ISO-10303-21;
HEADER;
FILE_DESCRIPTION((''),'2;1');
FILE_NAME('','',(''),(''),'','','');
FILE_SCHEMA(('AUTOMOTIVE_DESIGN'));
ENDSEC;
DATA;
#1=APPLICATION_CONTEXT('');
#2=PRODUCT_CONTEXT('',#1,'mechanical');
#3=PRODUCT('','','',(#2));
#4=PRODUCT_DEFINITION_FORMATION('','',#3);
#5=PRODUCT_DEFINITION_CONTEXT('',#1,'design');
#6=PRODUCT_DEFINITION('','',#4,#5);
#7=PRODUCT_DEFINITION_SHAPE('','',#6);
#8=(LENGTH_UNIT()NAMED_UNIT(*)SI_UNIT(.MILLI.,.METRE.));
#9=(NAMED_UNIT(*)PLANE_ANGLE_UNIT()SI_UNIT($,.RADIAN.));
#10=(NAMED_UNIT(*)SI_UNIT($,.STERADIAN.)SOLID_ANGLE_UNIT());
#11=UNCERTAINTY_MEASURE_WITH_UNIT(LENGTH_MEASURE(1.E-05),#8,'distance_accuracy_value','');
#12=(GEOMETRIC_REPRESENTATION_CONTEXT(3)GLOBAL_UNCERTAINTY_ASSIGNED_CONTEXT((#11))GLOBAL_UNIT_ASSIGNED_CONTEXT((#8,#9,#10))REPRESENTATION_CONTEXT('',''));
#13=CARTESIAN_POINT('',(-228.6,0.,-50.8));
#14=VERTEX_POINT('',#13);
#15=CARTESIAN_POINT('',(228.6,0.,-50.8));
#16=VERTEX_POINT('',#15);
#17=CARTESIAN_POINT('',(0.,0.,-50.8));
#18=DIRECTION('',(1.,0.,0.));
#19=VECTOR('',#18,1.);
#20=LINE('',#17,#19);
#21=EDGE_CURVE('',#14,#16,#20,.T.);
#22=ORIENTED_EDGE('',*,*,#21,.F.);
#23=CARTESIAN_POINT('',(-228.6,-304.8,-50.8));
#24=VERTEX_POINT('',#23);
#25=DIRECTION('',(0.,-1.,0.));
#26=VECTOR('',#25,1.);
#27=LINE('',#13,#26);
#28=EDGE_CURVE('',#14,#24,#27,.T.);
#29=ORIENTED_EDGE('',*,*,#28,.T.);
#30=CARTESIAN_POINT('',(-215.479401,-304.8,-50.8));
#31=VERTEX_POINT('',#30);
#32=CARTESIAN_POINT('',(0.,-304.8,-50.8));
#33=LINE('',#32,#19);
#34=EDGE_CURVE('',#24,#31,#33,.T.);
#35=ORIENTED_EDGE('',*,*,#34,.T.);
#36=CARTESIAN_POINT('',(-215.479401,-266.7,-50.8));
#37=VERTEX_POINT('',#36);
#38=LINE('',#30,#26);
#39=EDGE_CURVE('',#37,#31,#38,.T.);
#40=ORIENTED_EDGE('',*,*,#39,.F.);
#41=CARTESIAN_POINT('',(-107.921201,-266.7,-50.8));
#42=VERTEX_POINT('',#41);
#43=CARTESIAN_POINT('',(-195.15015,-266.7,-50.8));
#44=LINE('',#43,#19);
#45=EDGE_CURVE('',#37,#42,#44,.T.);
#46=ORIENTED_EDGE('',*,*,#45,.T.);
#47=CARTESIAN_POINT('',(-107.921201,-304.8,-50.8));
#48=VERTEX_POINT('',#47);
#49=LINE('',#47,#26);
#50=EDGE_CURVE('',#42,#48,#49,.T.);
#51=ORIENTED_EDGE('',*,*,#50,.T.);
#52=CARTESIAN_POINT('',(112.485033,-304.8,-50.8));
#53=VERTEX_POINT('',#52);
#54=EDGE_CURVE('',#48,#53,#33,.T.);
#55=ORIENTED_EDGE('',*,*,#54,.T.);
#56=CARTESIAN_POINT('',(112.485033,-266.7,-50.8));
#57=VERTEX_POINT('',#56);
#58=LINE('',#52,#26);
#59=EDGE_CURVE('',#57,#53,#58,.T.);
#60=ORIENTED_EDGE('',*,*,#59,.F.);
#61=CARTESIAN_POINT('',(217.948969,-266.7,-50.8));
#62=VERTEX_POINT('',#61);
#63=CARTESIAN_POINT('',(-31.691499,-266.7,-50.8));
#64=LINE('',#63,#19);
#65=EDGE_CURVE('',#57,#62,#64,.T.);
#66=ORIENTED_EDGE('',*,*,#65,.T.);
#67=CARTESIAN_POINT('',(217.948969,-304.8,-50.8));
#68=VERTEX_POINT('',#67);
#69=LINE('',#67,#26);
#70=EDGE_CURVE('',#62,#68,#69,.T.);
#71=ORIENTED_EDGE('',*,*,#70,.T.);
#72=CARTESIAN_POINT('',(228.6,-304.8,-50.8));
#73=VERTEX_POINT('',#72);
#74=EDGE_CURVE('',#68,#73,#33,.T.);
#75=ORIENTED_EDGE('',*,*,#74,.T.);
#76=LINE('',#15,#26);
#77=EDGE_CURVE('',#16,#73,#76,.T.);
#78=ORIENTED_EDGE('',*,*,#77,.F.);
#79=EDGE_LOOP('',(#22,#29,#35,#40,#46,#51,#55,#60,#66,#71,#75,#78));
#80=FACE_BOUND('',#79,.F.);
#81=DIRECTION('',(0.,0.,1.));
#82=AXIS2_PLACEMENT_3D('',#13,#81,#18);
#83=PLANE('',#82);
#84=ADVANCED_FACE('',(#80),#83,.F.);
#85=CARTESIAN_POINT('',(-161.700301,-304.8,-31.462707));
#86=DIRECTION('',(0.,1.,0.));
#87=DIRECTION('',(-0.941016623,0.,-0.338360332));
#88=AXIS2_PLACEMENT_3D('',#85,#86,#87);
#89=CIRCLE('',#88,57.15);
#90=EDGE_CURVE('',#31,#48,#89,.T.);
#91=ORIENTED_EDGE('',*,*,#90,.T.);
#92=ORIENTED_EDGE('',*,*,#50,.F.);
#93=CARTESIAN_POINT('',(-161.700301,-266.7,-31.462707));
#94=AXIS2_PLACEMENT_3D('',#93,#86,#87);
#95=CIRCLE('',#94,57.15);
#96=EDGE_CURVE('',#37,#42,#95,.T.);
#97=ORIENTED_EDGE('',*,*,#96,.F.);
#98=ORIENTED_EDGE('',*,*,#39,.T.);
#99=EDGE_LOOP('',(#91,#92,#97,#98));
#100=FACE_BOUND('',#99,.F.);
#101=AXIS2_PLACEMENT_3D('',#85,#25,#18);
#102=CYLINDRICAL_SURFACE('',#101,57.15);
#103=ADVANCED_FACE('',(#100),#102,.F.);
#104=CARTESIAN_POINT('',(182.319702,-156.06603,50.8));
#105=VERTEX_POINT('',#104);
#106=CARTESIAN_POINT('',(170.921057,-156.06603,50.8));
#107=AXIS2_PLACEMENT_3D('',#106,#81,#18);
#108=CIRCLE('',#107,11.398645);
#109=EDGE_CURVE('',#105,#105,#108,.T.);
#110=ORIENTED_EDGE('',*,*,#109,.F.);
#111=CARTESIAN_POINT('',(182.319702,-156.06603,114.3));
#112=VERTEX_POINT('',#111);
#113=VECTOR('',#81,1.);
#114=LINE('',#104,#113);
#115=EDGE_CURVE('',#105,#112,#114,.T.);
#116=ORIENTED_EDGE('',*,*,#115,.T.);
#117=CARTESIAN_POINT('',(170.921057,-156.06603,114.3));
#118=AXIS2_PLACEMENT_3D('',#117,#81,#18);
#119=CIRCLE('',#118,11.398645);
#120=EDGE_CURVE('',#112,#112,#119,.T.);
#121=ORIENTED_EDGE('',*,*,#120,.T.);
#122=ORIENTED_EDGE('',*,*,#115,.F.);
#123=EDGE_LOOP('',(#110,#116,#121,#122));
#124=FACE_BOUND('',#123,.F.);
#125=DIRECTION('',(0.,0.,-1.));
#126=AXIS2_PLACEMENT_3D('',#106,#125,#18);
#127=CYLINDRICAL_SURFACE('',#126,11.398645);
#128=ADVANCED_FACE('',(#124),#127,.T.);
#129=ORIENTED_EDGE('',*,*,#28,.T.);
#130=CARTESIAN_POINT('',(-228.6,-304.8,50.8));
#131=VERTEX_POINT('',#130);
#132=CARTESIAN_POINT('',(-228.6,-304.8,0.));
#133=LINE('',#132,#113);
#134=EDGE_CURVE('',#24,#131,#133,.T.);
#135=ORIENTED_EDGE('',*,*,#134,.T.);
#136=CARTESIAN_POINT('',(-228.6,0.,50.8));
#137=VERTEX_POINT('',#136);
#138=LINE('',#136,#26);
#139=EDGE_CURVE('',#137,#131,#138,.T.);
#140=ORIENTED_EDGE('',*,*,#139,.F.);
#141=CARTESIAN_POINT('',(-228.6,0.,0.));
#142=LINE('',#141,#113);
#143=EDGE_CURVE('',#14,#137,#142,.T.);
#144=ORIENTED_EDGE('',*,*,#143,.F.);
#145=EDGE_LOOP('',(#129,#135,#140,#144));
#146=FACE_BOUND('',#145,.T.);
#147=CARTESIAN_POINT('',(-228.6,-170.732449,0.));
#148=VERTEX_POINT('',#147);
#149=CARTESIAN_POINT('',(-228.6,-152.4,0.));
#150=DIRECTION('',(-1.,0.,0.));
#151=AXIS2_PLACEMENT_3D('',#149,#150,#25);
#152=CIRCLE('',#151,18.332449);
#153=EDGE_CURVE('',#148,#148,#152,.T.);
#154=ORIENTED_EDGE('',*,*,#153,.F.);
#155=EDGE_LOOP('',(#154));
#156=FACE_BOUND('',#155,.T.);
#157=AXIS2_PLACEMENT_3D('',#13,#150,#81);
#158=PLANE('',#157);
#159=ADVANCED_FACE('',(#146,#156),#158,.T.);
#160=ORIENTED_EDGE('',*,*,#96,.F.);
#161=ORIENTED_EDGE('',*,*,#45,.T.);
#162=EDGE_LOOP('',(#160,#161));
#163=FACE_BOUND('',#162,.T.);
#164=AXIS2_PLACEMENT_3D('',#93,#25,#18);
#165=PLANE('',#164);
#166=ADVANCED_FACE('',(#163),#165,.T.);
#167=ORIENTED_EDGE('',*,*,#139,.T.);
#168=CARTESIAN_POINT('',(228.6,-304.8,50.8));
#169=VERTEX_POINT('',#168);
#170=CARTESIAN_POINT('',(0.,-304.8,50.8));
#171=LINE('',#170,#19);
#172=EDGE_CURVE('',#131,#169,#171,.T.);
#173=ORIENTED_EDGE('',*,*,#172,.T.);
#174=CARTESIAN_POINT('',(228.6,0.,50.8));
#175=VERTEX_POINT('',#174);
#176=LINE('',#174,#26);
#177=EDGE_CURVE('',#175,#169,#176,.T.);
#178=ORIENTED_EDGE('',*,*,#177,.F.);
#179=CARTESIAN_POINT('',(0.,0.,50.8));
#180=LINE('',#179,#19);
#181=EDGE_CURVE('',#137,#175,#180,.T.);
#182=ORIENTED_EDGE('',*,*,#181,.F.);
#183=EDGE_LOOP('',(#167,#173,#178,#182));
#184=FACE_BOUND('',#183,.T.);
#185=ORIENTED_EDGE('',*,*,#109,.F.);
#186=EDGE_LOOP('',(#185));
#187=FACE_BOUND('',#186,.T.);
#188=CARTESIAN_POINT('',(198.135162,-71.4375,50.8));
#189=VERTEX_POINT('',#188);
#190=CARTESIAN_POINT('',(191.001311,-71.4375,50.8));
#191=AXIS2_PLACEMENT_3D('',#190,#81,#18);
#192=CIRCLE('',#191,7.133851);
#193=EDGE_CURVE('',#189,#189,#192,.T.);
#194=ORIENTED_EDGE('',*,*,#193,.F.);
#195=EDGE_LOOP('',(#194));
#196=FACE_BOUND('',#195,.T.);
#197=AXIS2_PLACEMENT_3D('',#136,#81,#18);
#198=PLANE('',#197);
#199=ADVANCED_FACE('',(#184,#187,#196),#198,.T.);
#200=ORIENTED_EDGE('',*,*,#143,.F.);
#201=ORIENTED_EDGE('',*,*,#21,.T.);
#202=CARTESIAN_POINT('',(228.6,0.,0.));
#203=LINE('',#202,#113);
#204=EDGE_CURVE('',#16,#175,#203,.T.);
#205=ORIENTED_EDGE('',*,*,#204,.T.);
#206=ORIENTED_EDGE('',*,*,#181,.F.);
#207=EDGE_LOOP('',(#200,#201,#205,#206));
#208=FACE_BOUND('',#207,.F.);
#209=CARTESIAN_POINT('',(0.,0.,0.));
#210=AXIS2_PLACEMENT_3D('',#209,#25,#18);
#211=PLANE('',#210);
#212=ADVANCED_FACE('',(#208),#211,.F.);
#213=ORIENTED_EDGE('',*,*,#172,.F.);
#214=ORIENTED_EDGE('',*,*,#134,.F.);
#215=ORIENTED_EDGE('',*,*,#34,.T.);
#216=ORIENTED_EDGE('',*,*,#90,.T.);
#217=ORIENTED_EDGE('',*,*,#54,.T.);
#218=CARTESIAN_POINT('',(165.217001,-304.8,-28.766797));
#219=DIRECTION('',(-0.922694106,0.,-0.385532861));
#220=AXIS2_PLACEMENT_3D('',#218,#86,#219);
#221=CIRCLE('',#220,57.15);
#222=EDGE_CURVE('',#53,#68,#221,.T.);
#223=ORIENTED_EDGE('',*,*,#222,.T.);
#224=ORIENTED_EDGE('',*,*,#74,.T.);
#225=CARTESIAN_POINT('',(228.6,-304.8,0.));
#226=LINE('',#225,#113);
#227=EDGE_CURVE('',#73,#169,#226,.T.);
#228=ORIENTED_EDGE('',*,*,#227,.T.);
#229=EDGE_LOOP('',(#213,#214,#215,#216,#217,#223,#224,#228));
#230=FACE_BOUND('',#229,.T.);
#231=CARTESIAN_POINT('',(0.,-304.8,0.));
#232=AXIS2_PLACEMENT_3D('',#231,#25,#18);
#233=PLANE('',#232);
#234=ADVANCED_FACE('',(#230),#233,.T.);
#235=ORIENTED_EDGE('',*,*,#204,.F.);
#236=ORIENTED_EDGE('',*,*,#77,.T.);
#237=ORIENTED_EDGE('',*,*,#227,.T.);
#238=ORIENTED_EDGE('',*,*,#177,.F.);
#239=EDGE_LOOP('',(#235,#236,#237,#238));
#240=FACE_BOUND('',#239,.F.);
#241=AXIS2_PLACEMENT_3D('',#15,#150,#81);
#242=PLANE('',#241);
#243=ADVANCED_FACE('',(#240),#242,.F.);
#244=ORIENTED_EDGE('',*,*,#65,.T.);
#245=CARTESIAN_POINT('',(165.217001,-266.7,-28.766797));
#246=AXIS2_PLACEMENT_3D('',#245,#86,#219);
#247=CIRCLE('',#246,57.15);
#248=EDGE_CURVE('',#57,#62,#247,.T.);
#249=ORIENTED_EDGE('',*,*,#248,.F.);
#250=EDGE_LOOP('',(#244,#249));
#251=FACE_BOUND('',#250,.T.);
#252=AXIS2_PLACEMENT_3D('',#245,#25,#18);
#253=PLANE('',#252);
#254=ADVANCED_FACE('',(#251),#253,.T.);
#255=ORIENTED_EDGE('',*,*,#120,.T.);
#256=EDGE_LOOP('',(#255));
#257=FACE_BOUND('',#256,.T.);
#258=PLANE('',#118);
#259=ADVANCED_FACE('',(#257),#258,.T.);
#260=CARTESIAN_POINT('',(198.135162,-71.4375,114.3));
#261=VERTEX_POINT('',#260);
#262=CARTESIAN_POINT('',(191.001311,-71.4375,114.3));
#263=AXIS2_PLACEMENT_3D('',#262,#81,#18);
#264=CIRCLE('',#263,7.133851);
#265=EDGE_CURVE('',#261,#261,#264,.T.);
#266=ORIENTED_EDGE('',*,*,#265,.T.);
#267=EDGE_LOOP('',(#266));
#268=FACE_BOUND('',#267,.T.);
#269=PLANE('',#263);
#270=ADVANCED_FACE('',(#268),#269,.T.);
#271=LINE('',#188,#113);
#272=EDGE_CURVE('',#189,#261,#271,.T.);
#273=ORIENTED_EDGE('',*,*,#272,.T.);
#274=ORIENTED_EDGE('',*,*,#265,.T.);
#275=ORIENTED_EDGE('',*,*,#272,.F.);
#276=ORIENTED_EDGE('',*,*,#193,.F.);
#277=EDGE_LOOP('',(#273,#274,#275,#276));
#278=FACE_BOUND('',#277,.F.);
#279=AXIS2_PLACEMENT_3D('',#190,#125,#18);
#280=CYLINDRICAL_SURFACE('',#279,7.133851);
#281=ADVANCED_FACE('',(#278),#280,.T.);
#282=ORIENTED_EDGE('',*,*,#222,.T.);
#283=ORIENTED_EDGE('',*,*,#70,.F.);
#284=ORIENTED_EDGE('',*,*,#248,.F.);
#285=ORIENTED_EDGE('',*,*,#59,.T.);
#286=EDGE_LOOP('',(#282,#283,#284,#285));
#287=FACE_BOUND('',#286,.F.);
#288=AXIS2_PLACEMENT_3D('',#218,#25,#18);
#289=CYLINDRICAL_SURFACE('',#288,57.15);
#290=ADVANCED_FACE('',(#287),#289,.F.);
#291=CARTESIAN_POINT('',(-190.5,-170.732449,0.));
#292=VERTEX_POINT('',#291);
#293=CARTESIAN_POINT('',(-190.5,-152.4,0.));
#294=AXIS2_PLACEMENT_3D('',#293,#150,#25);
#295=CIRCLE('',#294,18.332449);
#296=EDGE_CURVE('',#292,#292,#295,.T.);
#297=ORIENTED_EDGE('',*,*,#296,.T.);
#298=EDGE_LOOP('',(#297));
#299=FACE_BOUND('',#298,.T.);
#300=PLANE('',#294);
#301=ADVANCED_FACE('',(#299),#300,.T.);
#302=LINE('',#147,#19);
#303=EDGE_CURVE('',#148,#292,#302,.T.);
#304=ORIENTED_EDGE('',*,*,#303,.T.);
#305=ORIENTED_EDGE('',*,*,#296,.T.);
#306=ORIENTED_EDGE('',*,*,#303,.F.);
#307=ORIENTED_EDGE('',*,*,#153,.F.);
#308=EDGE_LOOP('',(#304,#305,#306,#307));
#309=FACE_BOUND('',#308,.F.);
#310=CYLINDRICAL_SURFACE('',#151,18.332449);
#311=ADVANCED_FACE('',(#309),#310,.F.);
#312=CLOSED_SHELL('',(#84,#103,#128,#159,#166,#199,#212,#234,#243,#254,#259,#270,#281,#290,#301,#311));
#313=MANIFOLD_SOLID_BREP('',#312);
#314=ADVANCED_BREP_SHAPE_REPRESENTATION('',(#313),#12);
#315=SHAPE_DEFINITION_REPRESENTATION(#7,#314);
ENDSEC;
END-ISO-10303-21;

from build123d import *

# Parameters (mm, degrees)
F0_W     = 457.2
F0_H     = 101.6
F1_DEPTH = 304.8
F2_R     = 57.15
F3_DEPTH = 38.1
F4_R     = 7.133851
F4_R_2   = 11.398645
F5_DEPTH = 63.5
F6_DEPTH = 63.5
F7_R     = 18.332449
F8_DEPTH = 38.1


with BuildPart() as f1:
    # F0 (on Front) → F1 (new body)
    with BuildSketch(Plane.XZ):
        Rectangle(F0_W, F0_H)
    extrude(amount=F1_DEPTH)

    # F2 (on face) → F3 (cut)
    with BuildSketch(Plane.XZ.offset(304.8)):
        with Locations((-161.700301, -31.462707)):
            Circle(F2_R)
        with Locations((165.217001, -28.766797)):
            Circle(F2_R)
    extrude(amount=-F3_DEPTH, mode=Mode.SUBTRACT)

    # F4 (on face) → F5 (join)
    with BuildSketch(Plane.XY.offset(50.8)):
        with Locations((191.001311, -71.4375)):
            Circle(F4_R)
        with Locations((170.921057, -156.06603)):
            Circle(F4_R_2)
    extrude(amount=F5_DEPTH)

    # F4 (on face) → F6 (join)
    with BuildSketch(Plane.XY.offset(50.8)):
        with Locations((191.001311, -71.4375)):
            Circle(F4_R)
        with Locations((170.921057, -156.06603)):
            Circle(F4_R_2)
    extrude(amount=F6_DEPTH)

    # F7 (on face) → F8 (cut)
    with BuildSketch(Plane(origin=(-228.6, 0, 0), x_dir=(0, -1, 0), z_dir=(-1, 0, 0))):
        with Locations((152.4, 0)):
            Circle(F7_R)
    extrude(amount=-F8_DEPTH, mode=Mode.SUBTRACT)


solid = f1.part
